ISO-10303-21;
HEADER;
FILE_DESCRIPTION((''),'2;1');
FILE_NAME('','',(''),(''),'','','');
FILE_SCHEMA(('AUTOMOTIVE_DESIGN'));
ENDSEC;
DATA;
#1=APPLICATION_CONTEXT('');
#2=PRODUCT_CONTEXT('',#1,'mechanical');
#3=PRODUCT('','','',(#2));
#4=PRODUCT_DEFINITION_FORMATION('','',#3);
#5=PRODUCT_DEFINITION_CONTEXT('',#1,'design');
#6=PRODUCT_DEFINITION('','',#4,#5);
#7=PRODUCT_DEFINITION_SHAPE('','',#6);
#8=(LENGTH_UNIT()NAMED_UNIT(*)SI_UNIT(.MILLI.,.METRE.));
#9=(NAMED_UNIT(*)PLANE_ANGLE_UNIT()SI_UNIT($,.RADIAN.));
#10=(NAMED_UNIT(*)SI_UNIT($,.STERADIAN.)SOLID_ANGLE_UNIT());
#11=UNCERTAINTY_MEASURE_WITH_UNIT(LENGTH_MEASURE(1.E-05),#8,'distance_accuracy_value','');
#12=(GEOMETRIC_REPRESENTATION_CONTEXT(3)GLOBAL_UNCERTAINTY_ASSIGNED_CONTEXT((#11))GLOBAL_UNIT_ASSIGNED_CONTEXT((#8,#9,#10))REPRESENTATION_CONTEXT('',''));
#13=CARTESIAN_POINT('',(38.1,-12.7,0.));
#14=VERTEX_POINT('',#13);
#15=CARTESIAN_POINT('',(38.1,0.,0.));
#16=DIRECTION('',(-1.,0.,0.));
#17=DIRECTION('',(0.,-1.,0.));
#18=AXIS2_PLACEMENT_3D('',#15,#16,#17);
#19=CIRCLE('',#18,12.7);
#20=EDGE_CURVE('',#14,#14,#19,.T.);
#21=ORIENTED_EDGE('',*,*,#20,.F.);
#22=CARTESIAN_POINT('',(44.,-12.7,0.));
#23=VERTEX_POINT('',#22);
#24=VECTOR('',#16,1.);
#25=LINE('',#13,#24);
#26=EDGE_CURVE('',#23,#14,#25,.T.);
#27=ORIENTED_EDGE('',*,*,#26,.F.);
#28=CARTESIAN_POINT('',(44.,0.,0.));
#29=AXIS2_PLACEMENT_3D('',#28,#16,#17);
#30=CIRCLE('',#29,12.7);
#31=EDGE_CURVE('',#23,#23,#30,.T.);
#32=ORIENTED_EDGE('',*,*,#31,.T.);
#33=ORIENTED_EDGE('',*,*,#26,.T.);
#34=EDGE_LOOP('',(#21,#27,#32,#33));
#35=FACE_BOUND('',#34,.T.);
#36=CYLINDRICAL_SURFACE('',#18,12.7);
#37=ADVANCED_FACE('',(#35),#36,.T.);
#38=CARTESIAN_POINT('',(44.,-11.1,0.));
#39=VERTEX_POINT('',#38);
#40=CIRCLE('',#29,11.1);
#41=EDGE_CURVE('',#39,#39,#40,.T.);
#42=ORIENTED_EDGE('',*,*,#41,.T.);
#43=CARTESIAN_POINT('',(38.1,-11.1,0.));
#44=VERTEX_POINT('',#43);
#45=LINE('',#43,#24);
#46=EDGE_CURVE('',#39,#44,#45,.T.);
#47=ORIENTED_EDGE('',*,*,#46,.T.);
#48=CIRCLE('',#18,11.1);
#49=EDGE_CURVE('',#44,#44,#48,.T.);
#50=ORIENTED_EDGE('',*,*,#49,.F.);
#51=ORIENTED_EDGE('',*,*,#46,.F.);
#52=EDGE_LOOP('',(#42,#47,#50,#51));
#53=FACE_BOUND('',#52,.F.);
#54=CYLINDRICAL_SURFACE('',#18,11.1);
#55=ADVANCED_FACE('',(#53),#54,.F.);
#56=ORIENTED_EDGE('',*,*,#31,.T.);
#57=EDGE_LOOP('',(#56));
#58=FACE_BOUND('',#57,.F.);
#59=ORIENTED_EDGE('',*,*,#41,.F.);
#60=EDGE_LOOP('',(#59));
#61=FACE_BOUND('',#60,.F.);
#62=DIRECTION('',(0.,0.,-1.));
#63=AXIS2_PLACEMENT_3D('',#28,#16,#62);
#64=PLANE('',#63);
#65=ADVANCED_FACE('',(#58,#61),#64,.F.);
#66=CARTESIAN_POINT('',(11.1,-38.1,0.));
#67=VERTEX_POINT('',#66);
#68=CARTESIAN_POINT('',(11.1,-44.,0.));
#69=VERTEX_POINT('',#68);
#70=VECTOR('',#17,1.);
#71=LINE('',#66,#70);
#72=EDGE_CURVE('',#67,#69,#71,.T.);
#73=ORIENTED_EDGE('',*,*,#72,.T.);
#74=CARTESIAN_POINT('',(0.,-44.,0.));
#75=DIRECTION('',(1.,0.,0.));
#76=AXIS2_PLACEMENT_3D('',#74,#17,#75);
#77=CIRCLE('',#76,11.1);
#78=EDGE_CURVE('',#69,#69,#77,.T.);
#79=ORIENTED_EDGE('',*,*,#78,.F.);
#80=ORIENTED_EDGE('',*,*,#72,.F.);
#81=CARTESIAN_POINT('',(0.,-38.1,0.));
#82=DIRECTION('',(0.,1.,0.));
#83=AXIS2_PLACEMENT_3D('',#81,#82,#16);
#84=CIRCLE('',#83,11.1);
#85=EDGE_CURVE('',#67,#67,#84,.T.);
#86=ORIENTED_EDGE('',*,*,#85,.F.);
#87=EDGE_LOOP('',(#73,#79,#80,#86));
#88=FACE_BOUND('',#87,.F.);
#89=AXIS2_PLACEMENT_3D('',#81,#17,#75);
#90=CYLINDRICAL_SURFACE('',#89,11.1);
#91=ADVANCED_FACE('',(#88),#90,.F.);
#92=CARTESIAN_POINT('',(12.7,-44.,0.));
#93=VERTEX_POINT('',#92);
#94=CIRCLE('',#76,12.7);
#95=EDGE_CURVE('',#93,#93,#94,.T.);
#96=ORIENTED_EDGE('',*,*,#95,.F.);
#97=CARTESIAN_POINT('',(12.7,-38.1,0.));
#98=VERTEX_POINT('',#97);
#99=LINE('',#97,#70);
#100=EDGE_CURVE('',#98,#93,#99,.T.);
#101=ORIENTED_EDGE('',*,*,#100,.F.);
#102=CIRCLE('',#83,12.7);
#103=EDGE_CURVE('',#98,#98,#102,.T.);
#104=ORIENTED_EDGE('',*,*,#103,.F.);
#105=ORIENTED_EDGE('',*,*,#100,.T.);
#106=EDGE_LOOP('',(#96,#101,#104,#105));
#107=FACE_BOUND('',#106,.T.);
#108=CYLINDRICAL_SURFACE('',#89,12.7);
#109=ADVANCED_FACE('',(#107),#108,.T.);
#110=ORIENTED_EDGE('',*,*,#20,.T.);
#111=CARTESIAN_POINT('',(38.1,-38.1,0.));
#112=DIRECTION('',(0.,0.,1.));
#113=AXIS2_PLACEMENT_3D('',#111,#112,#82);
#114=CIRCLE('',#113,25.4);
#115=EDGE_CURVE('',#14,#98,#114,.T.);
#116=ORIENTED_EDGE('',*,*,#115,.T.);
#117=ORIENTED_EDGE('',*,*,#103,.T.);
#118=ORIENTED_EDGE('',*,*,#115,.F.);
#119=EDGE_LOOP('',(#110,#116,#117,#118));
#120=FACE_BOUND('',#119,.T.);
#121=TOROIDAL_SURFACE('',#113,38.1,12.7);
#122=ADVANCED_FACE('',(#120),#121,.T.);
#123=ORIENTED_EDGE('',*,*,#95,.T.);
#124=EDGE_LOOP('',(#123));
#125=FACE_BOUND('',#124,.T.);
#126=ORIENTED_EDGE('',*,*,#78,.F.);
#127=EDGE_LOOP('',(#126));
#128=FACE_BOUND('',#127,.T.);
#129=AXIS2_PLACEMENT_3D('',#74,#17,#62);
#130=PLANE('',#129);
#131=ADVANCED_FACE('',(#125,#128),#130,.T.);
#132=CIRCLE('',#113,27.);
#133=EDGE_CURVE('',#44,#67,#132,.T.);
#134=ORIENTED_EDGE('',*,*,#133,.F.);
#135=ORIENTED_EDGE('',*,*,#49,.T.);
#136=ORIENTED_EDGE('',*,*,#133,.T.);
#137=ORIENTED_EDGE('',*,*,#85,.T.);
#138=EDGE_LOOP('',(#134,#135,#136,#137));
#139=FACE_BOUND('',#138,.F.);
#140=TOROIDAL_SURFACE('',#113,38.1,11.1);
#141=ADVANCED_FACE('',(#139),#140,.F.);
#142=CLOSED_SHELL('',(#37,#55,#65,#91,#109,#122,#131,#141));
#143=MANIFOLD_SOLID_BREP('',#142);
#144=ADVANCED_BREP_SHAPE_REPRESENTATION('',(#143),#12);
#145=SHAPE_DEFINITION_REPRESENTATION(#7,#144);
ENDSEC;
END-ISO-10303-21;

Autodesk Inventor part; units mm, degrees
ref_plane "YZ Plane" through (0, 0, 0) normal (1, 0, 0) x (0, 1, 0)
ref_plane "XZ Plane" through (0, 0, 0) normal (0, 1, 0) x (-1, 0, 0)
sketch "Szkic6" plane through (0, 0, 0) normal (0, 0, 1) x (1, 0, 0)
  line L0 (-29.6067, 0) -> (35.2678, 0) construction
  line L1 (0, 42.3419) -> (0, -58.3726) construction
  arc A0 (38.1, 0) -> (0, -38.1) centre (38.1, -38.1) ccw
  line L2 (0, -38.1) -> (38.1, -38.1) construction
  line L3 (38.1, -38.1) -> (38.1, 27.4331) construction
  line L4 (38.1, 0) -> (44, 0)
  line L5 (0, -38.1) -> (0, -44)
  point P0 (0, 0)
  dimension "d24" = 38.1
  dimension "d31" = 90
  dimension "d36" = 5.9
  dimension "d37" = 5.9
ref_plane "Płaszczyzna konstrukcyjna2" through (0, -38.1, 0) normal (0, -1, 0) x (1, 0, 0)
sketch "Szkic8" plane through (0, -38.1, 0) normal (0, -1, 0) x (1, 0, 0)
  circle A0 centre (0, 0) radius 12.7
  circle A1 centre (0, 0) radius 11.1
  dimension "d32" = 25.4
  dimension "d33" = 1.6
sweep "Przeciągnięcie2" add profiles "Szkic8" path "Szkic6"
equation "\"d32\" = OD"
equation "\"d33\" = THK"
equation "\"d24\" = R"
equation "\"d31\" = KAT"
equation "\"d36\" = PROSTKA"
equation "\"d37\" = PROSTKA"
equation "\"SzerokośćGięciaPodcięcia\" = Grubość"
equation "\"RozmiarPodcięciaNarożnika\" = 4 * Grubość"
equation "\"PromieńPrzejścia\" = PromieńGięcia"
equation "\"Rozmiar_promienia_Jacobiego\" = PromieńGięcia"
equation "\"Wielk_odstępu\" = Grubość"
equation "\"d2\" = PromieńGięcia"
equation "\"d23\" = PromieńGięcia"
equation "\"R\" = 38.1"
equation "\"OD\" = 25.4"
equation "\"THK\" = 1.6"
equation "\"KAT\" = 90deg"
equation "\"PROSTKA\" = 5.9"
equation "\"Grubość\" = 1.5"
equation "\"PromieńGięcia\" = 3"
properties part number "Kolano 90° ø25,4x1,6 R38,1" material "304L"
